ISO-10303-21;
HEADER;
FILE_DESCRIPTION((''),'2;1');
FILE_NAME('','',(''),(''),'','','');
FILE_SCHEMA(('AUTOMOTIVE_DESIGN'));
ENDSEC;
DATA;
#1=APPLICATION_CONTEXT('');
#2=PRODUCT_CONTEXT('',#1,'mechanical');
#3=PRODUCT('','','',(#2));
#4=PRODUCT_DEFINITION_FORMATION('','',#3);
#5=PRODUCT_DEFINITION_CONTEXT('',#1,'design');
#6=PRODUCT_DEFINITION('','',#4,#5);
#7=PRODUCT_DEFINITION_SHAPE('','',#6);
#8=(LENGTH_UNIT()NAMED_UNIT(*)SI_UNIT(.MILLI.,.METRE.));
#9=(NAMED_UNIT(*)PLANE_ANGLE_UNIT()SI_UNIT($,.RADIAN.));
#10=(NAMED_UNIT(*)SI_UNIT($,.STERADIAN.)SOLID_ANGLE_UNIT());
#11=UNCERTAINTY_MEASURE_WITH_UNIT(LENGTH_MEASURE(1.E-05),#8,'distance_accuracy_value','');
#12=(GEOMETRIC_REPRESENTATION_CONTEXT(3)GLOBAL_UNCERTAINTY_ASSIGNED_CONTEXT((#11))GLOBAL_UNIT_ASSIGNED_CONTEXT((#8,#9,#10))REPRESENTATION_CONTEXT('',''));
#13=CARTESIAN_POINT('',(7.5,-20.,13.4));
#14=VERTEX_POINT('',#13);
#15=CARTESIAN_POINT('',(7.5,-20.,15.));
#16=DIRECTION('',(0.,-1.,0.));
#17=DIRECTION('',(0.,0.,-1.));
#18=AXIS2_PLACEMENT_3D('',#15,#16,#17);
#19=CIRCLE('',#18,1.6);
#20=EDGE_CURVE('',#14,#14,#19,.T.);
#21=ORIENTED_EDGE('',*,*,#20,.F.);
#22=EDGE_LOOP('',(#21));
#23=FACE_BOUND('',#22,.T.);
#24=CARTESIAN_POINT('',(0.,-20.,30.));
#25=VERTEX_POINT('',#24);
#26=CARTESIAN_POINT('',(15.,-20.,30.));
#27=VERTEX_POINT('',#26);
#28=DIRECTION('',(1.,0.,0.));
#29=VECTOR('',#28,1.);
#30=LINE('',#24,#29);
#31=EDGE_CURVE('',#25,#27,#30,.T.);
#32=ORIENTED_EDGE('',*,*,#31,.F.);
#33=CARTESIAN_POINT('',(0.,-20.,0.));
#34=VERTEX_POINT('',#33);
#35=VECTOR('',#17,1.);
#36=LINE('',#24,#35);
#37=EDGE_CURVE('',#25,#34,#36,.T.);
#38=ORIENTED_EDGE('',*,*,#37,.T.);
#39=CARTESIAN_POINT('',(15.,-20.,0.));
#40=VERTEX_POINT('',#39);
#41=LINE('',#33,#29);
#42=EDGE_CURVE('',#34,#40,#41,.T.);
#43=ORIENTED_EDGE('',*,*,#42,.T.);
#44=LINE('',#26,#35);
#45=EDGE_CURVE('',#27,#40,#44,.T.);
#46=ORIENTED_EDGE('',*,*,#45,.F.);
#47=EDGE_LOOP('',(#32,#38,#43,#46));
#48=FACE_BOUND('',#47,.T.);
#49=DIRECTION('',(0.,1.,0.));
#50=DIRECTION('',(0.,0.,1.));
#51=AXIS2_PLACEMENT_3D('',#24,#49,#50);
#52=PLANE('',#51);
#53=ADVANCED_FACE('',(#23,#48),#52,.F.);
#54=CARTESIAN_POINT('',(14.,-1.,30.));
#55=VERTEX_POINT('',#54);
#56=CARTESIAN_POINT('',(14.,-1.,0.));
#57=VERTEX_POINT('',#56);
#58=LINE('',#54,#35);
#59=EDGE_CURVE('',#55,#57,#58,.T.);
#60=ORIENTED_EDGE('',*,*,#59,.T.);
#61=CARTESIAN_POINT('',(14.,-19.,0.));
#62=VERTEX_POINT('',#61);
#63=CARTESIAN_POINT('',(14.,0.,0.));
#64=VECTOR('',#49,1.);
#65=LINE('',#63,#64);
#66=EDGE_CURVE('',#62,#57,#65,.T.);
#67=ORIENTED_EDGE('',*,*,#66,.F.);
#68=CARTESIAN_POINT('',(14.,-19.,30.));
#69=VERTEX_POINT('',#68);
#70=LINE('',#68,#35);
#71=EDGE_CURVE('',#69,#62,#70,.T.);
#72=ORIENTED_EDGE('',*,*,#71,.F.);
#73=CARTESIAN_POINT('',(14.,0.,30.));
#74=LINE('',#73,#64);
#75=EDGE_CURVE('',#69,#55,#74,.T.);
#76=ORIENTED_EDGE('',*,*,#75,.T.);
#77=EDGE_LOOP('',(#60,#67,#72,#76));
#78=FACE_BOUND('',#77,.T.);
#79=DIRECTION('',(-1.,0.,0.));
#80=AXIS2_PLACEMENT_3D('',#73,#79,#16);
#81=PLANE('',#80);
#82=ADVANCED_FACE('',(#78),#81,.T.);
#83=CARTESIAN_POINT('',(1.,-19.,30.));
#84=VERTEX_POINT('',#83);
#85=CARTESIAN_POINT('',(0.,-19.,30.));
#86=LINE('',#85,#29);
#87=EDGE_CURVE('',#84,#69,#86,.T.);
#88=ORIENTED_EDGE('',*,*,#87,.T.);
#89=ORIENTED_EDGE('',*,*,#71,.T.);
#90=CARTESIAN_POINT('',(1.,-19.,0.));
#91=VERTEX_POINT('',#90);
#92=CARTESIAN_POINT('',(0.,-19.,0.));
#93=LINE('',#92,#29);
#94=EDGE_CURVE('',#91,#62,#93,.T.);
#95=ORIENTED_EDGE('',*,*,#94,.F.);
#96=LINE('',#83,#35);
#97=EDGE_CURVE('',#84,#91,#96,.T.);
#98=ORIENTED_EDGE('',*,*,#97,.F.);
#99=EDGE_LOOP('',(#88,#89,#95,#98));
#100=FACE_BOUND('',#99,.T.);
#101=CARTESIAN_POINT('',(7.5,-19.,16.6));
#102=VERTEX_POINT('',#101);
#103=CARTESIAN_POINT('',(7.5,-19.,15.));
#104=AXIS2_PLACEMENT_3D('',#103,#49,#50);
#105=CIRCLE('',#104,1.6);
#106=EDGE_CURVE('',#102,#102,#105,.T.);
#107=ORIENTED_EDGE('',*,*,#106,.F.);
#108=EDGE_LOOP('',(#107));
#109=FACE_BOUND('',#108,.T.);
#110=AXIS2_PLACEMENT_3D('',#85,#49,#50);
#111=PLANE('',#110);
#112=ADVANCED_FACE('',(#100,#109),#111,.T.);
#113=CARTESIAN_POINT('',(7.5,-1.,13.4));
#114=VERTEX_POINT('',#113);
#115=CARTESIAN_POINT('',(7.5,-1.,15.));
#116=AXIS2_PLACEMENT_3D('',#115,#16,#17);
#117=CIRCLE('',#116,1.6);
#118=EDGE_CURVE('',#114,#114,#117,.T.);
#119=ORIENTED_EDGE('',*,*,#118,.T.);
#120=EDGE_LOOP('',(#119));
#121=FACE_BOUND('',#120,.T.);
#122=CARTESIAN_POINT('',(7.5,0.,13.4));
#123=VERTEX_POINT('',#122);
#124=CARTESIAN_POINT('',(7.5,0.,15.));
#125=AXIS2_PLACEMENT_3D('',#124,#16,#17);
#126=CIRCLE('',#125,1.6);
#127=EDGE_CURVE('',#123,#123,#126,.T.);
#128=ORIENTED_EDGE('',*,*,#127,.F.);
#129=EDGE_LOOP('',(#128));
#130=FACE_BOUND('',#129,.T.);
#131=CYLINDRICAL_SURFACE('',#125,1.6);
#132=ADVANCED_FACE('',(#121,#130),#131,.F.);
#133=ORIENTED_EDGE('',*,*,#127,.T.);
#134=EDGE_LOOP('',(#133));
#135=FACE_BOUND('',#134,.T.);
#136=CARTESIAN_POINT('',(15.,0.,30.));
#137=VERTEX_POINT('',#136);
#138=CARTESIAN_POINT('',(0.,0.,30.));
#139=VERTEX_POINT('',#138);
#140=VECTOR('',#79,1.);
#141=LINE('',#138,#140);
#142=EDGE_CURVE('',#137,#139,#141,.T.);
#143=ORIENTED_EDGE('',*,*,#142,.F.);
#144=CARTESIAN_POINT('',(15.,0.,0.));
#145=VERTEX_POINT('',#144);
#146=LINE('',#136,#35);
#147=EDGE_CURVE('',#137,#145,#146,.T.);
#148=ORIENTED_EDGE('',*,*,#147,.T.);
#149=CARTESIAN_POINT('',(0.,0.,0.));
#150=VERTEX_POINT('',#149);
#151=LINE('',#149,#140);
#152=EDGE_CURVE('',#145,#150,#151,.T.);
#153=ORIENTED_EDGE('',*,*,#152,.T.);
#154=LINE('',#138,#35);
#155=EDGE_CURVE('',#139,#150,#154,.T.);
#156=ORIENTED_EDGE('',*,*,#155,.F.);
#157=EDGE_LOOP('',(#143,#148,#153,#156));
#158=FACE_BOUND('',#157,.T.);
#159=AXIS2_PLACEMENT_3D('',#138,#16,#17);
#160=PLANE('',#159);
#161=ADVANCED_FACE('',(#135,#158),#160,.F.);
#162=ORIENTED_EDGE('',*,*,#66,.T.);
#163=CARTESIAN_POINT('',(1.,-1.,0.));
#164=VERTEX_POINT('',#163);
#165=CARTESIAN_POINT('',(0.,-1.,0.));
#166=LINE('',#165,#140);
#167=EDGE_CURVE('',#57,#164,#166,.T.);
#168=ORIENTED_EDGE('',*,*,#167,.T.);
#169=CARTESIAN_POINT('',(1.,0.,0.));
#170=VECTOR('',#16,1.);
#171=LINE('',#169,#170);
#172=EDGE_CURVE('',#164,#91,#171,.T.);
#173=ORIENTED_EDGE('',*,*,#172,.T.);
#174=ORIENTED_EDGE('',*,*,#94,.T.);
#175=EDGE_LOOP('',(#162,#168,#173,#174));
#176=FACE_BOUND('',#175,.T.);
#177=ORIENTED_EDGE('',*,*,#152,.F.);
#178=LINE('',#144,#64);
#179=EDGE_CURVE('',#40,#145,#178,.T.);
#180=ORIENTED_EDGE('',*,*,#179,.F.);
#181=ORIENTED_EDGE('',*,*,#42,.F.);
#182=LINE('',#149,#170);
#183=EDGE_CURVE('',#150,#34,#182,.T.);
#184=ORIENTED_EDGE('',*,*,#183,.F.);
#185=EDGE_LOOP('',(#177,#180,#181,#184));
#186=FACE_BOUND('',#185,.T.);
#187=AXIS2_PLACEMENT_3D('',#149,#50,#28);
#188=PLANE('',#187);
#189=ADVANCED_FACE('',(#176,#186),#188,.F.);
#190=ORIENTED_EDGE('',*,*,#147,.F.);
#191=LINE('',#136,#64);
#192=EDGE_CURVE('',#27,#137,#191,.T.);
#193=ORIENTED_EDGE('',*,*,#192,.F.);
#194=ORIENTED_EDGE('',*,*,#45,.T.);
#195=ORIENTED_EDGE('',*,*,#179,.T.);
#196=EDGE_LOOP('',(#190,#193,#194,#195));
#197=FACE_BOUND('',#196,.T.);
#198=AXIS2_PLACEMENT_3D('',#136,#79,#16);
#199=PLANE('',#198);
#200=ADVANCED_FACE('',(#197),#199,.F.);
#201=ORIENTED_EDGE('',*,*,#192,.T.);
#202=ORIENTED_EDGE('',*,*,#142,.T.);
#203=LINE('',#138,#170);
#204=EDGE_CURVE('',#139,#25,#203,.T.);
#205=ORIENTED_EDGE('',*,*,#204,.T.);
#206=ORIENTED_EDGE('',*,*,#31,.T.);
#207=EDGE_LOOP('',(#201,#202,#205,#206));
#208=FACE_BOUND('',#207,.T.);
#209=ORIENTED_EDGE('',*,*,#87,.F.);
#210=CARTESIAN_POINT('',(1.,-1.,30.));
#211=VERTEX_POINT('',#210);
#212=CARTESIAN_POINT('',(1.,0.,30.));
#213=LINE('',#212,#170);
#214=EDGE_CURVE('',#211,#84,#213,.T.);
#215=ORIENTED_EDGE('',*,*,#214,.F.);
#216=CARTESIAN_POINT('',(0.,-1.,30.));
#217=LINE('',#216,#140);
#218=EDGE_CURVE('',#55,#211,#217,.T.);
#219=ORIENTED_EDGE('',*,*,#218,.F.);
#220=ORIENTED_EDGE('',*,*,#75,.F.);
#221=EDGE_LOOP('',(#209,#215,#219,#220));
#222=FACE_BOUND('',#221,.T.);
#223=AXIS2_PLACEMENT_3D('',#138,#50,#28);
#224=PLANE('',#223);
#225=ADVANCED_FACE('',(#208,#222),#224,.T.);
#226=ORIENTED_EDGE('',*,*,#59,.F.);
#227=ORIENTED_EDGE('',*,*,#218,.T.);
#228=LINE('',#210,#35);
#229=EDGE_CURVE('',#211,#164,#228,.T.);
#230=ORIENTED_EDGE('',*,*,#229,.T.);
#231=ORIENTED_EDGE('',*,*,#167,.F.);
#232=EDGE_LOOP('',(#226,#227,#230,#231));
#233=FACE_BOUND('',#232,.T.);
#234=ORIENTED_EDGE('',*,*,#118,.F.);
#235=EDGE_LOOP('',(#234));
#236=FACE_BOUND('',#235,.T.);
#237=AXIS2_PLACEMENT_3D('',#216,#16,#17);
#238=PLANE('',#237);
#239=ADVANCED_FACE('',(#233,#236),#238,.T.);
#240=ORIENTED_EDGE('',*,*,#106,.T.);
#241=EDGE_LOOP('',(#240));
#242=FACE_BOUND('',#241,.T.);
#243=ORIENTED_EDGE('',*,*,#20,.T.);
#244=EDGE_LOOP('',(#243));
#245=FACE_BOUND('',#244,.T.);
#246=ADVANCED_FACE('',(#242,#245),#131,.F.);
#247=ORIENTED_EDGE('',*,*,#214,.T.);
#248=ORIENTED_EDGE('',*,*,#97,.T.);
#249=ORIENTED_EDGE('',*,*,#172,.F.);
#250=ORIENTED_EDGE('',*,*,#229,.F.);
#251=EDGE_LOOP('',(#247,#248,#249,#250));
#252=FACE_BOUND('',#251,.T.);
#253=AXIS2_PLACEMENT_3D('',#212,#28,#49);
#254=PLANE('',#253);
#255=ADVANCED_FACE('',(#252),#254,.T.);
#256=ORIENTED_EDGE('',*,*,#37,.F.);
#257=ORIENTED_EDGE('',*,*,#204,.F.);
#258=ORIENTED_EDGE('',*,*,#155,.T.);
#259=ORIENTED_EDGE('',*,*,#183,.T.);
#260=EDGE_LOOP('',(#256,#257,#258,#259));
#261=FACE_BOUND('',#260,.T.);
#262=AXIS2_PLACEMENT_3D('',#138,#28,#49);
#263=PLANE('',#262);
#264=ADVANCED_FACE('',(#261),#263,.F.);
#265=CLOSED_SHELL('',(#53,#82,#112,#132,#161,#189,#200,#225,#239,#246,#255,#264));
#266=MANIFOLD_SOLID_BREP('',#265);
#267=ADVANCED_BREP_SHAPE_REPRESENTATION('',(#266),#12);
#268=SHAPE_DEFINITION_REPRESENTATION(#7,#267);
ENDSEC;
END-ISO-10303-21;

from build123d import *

# Parameters (mm, degrees)
SKETCH_1_W          = 15
SKETCH_1_H          = 20
SKETCH_1_W_2        = 13
SKETCH_1_H_2        = 18
EXTRUDE_1_DEPTH     = 30
SKETCH_3_R          = 1.6
CUT_EXTRUDE_2_DEPTH = 40.05124838


with BuildPart() as part:
    # 草图1 → 拉伸-薄壁1 (new body)
    with BuildSketch(Plane.XY):
        with Locations((7.5, -10)):
            Rectangle(SKETCH_1_W, SKETCH_1_H)
        with Locations((7.5, -10)):
            Rectangle(SKETCH_1_W_2, SKETCH_1_H_2, mode=Mode.SUBTRACT)
    extrude(amount=EXTRUDE_1_DEPTH)

    # 草图3 → 切除-拉伸2 (cut, through all)
    with BuildSketch(Plane.XZ.offset(20)):
        with Locations(Location((7.5, 15, 0), (0, 0, 270))):
            Circle(SKETCH_3_R)
    extrude(amount=-CUT_EXTRUDE_2_DEPTH, mode=Mode.SUBTRACT)


solid = part.part
